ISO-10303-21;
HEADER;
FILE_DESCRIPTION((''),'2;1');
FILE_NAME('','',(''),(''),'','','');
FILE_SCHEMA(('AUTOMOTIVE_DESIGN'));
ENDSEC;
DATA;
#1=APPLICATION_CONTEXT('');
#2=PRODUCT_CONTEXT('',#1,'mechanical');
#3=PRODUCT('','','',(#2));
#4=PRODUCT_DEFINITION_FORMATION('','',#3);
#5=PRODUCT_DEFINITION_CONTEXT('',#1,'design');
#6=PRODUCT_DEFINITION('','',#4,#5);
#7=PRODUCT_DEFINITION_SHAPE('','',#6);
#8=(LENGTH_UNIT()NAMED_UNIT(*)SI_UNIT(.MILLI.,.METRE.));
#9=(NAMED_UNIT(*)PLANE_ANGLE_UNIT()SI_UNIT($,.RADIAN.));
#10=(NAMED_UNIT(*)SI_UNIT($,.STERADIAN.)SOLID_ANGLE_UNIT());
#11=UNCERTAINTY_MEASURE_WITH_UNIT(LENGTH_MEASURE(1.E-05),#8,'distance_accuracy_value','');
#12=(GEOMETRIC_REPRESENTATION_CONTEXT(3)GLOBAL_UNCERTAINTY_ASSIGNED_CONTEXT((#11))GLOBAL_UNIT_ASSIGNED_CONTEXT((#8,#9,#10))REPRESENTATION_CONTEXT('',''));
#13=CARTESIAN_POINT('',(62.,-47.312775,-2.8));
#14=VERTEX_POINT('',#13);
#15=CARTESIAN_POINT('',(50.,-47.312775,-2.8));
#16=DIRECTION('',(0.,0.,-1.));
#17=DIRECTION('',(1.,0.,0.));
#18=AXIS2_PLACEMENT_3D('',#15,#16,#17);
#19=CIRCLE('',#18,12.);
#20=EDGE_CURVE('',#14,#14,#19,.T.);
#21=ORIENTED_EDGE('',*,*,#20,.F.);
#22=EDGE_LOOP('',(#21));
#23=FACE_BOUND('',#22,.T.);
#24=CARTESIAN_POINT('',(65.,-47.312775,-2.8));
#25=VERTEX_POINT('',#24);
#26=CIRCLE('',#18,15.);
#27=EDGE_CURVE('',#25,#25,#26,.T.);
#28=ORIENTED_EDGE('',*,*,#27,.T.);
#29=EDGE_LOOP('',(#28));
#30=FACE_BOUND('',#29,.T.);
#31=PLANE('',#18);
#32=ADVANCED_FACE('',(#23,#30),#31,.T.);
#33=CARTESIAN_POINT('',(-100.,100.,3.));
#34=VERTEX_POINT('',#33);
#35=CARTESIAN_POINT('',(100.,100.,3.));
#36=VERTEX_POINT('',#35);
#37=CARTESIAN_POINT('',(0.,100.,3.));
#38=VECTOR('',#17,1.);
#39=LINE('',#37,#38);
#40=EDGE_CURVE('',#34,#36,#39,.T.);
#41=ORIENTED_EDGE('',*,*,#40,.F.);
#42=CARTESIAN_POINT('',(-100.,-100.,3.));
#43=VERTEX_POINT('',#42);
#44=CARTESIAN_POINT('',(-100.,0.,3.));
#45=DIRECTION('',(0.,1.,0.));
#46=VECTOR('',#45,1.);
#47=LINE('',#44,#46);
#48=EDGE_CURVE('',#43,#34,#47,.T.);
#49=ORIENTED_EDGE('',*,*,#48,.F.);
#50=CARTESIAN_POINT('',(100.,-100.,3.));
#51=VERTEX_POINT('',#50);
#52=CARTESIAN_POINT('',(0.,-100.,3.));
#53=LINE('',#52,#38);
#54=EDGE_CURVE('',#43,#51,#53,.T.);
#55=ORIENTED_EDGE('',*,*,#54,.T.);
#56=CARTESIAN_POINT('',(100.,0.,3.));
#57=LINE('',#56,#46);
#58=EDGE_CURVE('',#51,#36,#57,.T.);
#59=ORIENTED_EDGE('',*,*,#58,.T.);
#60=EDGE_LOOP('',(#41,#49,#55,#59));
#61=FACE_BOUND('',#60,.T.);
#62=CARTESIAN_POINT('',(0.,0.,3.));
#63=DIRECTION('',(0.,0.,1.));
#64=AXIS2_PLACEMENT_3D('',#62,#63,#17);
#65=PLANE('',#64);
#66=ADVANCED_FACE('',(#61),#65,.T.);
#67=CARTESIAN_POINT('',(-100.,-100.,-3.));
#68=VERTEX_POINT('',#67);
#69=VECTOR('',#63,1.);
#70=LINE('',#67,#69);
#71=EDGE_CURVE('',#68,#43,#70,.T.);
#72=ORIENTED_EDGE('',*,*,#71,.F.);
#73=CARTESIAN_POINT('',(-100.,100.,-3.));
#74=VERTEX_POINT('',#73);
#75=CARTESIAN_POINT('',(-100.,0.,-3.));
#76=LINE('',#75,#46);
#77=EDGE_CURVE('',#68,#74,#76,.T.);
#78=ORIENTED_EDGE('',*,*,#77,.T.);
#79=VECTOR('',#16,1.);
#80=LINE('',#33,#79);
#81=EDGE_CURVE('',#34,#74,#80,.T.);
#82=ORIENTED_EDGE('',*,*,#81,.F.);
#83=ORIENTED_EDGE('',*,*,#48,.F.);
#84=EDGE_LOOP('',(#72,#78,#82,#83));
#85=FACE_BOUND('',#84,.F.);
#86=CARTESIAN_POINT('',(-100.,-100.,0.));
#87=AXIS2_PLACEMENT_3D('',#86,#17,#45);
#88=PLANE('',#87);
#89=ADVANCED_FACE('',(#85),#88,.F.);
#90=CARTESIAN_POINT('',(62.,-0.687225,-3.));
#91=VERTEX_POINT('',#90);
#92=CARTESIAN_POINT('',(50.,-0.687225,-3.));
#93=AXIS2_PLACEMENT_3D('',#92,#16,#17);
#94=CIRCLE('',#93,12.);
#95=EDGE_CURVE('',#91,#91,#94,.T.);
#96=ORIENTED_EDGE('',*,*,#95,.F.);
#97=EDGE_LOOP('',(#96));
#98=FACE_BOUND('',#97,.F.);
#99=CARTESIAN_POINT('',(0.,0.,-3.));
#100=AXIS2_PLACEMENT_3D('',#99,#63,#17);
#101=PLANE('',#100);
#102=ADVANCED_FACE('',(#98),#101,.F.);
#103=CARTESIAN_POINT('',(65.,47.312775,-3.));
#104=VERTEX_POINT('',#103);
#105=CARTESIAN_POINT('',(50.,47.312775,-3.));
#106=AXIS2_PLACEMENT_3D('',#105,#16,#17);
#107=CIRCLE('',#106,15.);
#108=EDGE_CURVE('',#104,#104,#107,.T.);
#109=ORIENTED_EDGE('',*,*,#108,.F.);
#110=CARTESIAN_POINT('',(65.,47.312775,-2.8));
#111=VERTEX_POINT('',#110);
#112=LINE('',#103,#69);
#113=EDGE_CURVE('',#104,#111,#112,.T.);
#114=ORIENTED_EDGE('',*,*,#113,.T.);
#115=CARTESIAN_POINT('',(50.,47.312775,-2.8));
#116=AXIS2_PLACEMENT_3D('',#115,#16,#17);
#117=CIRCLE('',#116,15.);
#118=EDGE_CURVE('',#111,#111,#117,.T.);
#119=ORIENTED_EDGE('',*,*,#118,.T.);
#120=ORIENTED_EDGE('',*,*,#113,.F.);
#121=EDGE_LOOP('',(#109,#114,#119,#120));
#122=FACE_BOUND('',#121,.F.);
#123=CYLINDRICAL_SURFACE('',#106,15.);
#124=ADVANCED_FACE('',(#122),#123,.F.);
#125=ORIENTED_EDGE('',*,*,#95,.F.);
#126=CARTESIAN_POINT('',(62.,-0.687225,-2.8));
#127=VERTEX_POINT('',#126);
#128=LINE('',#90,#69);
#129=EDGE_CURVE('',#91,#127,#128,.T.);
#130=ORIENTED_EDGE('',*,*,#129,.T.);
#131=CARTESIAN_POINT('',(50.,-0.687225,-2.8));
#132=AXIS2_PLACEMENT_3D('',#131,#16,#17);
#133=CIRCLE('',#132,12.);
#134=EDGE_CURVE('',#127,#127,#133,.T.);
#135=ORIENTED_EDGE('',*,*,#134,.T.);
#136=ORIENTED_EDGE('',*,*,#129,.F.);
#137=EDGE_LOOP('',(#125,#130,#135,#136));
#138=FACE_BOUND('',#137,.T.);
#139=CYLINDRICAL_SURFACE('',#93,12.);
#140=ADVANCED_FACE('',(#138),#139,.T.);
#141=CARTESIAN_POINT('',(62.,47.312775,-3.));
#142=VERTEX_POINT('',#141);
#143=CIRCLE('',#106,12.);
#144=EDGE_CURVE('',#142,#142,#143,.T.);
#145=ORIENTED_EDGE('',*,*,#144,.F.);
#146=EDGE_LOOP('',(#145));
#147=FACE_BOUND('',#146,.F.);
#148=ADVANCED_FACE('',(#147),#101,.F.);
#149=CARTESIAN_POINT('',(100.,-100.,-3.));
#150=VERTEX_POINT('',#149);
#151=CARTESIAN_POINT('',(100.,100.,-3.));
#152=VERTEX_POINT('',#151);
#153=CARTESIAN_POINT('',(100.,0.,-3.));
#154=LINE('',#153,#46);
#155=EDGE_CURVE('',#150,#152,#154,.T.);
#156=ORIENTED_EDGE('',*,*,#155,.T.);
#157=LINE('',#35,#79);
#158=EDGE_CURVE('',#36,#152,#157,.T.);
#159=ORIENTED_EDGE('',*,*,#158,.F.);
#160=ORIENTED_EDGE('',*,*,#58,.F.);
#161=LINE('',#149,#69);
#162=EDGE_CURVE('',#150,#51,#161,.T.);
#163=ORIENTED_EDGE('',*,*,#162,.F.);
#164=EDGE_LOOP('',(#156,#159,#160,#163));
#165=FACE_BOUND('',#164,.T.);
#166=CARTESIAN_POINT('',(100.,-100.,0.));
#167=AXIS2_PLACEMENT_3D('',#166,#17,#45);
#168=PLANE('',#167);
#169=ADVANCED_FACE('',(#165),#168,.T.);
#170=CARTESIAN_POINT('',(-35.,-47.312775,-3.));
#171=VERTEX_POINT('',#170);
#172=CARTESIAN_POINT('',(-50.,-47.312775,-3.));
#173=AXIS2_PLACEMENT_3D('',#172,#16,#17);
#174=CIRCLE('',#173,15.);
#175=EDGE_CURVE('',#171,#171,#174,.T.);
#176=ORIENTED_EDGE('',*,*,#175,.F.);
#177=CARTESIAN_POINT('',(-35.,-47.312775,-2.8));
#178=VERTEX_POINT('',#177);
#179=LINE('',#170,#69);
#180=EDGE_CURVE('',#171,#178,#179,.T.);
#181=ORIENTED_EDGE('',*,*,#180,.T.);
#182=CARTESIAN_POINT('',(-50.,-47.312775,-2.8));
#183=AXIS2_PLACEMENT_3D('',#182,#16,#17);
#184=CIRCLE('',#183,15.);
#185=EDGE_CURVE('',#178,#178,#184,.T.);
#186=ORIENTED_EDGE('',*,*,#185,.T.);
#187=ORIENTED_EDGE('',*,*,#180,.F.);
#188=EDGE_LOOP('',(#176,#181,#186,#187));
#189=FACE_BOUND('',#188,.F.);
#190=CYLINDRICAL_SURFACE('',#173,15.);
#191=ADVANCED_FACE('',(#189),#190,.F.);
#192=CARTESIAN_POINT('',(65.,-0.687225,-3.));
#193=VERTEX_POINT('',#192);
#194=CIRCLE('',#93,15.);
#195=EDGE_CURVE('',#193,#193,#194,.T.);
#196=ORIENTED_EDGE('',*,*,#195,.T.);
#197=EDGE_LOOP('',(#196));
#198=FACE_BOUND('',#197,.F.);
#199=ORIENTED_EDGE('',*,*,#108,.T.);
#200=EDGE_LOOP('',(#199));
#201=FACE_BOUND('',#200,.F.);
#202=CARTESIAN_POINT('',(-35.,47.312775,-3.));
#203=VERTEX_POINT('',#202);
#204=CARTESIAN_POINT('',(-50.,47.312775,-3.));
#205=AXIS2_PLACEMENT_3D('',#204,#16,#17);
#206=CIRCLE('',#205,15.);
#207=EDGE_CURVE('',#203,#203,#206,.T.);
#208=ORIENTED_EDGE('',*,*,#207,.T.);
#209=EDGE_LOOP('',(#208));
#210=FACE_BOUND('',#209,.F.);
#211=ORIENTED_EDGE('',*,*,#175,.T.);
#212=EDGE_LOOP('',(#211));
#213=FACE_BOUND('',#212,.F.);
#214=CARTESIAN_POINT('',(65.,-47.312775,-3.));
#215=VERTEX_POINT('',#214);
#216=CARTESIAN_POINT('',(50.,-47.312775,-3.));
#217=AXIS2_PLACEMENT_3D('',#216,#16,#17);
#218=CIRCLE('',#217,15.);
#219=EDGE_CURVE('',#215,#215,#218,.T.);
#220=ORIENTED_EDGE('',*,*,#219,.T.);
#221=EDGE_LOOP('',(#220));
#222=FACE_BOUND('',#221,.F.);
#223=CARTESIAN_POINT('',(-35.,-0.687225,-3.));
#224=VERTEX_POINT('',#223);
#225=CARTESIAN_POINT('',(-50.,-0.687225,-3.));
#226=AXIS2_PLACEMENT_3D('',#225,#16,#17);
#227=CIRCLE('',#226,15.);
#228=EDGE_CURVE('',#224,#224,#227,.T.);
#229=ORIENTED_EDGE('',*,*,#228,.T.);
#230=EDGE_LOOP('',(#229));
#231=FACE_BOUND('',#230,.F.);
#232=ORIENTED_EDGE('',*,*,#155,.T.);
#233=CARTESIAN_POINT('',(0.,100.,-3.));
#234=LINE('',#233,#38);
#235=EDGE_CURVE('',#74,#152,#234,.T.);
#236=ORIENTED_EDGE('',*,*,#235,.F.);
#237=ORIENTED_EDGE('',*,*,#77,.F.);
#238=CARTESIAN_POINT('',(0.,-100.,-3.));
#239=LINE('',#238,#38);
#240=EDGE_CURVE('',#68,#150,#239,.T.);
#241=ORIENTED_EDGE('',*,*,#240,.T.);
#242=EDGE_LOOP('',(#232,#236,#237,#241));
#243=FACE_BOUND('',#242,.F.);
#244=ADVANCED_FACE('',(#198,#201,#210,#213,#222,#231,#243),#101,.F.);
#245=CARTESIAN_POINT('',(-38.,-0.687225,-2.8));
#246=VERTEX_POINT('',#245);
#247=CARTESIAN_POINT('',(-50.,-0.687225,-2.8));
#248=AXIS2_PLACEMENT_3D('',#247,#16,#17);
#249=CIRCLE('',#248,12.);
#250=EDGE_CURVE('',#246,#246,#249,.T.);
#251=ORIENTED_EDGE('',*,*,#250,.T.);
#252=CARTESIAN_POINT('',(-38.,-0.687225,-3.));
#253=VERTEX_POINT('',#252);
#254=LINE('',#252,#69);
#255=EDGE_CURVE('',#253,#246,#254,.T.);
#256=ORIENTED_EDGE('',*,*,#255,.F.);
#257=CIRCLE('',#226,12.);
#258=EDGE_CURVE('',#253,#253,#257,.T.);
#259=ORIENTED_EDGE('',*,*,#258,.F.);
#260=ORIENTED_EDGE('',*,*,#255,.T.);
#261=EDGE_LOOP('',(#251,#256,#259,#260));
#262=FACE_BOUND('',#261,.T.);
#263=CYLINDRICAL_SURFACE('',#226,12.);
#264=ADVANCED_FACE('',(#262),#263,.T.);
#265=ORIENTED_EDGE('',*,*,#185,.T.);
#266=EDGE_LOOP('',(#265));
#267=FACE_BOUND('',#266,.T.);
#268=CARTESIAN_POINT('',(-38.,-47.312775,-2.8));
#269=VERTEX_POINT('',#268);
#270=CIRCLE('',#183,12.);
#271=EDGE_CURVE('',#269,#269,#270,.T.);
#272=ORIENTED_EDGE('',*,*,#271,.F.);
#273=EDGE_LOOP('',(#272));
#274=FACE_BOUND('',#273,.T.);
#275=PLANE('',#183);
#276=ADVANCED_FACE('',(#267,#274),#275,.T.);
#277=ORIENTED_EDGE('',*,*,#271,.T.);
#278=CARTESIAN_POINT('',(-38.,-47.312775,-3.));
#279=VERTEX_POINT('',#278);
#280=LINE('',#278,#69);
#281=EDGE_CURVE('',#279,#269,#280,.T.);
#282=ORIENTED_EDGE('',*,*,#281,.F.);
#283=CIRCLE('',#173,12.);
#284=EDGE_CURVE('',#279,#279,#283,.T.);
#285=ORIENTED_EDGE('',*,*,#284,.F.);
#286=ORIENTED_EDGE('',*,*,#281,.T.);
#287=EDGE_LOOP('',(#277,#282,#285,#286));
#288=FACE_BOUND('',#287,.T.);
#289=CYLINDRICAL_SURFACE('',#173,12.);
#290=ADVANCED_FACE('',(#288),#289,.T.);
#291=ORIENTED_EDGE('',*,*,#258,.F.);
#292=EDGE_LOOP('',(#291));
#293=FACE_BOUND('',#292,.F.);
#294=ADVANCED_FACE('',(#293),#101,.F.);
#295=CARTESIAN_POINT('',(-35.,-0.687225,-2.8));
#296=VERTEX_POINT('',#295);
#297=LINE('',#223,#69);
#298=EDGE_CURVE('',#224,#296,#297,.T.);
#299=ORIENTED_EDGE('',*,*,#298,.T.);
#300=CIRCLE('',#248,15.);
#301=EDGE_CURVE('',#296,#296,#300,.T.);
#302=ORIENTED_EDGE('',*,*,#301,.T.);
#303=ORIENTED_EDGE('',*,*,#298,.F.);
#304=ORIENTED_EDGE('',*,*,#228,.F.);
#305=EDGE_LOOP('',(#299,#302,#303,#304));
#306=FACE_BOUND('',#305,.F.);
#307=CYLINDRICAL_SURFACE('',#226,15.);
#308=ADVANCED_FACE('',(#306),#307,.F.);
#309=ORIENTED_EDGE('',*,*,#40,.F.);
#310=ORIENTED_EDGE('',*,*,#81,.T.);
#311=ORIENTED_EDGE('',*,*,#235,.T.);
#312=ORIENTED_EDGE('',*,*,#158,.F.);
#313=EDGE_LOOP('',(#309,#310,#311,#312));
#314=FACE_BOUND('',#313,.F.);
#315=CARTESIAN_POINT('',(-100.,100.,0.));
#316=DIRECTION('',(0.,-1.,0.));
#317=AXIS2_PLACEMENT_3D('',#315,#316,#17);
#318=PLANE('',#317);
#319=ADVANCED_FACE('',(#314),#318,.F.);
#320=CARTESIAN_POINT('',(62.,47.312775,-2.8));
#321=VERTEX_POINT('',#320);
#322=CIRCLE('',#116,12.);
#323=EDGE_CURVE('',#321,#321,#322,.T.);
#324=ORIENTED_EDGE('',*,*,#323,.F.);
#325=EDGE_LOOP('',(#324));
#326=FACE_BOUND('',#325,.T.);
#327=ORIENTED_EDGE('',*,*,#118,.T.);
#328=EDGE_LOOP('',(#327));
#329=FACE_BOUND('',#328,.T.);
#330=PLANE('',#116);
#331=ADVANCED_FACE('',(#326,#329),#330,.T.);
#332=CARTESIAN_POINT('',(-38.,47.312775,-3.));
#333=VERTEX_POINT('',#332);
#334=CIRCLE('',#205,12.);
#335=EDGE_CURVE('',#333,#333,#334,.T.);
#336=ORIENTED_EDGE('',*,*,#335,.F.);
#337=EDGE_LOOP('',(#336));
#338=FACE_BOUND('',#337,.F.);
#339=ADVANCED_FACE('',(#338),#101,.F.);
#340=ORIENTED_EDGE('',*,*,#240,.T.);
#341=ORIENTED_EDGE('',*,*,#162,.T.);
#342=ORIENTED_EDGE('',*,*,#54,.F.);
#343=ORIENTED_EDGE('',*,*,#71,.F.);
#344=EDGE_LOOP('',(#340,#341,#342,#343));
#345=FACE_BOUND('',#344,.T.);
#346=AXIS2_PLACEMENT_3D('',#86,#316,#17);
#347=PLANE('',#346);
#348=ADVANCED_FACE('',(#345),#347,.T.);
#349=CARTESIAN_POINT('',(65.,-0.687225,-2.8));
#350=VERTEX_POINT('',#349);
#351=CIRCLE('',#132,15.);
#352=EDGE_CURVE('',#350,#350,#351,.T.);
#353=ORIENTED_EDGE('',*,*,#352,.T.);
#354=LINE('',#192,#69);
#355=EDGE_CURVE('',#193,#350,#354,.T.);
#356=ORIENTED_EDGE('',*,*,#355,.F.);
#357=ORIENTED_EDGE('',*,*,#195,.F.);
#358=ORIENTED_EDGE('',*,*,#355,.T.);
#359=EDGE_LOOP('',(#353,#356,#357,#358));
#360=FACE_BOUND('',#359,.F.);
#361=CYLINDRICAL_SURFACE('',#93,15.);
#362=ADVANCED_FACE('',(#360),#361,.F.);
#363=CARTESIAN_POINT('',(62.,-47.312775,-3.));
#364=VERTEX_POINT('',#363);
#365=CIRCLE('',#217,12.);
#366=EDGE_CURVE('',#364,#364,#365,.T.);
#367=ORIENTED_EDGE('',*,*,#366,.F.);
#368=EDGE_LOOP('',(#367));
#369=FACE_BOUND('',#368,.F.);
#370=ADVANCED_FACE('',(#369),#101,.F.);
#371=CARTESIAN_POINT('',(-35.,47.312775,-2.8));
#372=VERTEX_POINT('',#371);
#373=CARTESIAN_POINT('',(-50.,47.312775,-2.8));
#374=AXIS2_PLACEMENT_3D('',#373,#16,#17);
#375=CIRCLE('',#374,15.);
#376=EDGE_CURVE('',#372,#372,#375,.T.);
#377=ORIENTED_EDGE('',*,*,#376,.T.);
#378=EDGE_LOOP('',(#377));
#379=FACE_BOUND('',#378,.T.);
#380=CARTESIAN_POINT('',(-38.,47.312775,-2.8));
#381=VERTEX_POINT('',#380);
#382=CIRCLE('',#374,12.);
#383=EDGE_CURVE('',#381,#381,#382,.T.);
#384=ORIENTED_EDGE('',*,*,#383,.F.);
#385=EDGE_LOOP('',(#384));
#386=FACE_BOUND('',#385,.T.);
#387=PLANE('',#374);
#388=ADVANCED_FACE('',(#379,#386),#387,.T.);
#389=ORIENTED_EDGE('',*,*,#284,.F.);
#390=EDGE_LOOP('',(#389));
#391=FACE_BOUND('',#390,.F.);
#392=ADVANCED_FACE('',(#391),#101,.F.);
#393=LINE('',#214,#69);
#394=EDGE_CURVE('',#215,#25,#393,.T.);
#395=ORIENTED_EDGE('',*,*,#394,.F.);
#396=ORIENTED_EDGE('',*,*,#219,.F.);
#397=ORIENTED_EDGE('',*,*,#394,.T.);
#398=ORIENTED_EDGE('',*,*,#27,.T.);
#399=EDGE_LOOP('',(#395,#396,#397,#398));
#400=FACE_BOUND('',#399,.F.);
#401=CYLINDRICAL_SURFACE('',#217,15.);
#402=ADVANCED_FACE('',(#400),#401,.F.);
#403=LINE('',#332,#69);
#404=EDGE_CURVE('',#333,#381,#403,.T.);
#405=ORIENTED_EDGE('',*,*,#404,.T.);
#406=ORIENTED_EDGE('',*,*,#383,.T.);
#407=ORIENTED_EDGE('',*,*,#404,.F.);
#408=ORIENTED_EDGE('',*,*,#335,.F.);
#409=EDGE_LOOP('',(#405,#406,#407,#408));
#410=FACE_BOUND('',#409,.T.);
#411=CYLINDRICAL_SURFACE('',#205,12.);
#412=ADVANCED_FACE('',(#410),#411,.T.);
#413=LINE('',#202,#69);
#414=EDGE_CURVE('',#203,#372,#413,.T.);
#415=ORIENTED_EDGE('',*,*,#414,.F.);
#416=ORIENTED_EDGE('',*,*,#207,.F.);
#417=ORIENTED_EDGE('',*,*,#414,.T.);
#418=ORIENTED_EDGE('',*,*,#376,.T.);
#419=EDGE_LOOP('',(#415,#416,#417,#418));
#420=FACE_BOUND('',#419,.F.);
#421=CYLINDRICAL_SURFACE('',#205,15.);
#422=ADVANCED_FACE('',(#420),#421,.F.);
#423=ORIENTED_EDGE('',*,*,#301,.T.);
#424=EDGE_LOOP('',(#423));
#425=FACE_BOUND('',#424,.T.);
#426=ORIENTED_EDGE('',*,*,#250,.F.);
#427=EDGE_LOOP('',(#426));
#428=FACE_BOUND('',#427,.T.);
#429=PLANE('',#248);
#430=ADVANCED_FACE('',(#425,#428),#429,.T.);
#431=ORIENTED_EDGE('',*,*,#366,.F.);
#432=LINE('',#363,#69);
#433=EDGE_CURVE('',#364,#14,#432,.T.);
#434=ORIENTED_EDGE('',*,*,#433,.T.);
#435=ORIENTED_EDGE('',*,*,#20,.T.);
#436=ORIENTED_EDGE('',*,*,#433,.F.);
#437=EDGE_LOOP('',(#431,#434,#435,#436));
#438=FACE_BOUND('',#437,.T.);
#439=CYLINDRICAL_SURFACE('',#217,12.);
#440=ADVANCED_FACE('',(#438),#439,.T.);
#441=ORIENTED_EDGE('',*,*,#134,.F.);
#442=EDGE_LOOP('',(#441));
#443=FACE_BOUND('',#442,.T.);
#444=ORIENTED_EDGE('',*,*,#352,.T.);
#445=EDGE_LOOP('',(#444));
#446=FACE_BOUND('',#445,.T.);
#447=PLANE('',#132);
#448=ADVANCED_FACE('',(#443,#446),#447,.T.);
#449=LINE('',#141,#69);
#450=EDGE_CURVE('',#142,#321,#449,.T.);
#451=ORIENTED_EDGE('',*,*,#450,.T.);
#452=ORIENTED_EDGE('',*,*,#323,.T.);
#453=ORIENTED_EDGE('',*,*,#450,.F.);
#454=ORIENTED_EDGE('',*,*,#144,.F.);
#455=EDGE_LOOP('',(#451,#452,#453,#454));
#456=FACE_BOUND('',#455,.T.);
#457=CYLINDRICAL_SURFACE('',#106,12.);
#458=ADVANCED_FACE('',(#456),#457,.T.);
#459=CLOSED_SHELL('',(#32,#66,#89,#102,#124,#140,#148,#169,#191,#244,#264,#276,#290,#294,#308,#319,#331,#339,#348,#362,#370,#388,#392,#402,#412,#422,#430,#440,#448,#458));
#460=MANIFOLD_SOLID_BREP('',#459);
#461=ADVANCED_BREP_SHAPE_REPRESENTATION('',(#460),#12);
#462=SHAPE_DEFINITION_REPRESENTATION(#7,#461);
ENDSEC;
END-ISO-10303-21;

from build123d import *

# Parameters (mm, degrees)
F0_W     = 200
F0_H     = 200
F1_DEPTH = 3
F2_R     = 15
F2_R_2   = 12
F3_DEPTH = 0.2


with BuildPart() as f1:
    # F0 (on Top) → F1 (new body, symmetric)
    with BuildSketch(Plane.XY):
        Rectangle(F0_W, F0_H)
    extrude(amount=F1_DEPTH, both=True)

    # F2 (on face) → F3 (cut)
    with BuildSketch(Plane(origin=(0, 0, -3), x_dir=(1, 0, 0), z_dir=(0, 0, -1))):
        with Locations((-50, 47.312775)):
            Circle(F2_R)
        with Locations((-50, 47.312775)):
            Circle(F2_R_2, mode=Mode.SUBTRACT)
        with Locations((-50, 0.687225)):
            Circle(F2_R)
        with Locations((-50, 0.687225)):
            Circle(F2_R_2, mode=Mode.SUBTRACT)
        with Locations((-50, -47.312775)):
            Circle(F2_R)
        with Locations((-50, -47.312775)):
            Circle(F2_R_2, mode=Mode.SUBTRACT)
        with Locations((50, 47.312775)):
            Circle(F2_R)
        with Locations((50, 47.312775)):
            Circle(F2_R_2, mode=Mode.SUBTRACT)
        with Locations((50, 0.687225)):
            Circle(F2_R)
        with Locations((50, 0.687225)):
            Circle(F2_R_2, mode=Mode.SUBTRACT)
        with Locations((50, -47.312775)):
            Circle(F2_R)
        with Locations((50, -47.312775)):
            Circle(F2_R_2, mode=Mode.SUBTRACT)
    extrude(amount=-F3_DEPTH, mode=Mode.SUBTRACT)


solid = f1.part
